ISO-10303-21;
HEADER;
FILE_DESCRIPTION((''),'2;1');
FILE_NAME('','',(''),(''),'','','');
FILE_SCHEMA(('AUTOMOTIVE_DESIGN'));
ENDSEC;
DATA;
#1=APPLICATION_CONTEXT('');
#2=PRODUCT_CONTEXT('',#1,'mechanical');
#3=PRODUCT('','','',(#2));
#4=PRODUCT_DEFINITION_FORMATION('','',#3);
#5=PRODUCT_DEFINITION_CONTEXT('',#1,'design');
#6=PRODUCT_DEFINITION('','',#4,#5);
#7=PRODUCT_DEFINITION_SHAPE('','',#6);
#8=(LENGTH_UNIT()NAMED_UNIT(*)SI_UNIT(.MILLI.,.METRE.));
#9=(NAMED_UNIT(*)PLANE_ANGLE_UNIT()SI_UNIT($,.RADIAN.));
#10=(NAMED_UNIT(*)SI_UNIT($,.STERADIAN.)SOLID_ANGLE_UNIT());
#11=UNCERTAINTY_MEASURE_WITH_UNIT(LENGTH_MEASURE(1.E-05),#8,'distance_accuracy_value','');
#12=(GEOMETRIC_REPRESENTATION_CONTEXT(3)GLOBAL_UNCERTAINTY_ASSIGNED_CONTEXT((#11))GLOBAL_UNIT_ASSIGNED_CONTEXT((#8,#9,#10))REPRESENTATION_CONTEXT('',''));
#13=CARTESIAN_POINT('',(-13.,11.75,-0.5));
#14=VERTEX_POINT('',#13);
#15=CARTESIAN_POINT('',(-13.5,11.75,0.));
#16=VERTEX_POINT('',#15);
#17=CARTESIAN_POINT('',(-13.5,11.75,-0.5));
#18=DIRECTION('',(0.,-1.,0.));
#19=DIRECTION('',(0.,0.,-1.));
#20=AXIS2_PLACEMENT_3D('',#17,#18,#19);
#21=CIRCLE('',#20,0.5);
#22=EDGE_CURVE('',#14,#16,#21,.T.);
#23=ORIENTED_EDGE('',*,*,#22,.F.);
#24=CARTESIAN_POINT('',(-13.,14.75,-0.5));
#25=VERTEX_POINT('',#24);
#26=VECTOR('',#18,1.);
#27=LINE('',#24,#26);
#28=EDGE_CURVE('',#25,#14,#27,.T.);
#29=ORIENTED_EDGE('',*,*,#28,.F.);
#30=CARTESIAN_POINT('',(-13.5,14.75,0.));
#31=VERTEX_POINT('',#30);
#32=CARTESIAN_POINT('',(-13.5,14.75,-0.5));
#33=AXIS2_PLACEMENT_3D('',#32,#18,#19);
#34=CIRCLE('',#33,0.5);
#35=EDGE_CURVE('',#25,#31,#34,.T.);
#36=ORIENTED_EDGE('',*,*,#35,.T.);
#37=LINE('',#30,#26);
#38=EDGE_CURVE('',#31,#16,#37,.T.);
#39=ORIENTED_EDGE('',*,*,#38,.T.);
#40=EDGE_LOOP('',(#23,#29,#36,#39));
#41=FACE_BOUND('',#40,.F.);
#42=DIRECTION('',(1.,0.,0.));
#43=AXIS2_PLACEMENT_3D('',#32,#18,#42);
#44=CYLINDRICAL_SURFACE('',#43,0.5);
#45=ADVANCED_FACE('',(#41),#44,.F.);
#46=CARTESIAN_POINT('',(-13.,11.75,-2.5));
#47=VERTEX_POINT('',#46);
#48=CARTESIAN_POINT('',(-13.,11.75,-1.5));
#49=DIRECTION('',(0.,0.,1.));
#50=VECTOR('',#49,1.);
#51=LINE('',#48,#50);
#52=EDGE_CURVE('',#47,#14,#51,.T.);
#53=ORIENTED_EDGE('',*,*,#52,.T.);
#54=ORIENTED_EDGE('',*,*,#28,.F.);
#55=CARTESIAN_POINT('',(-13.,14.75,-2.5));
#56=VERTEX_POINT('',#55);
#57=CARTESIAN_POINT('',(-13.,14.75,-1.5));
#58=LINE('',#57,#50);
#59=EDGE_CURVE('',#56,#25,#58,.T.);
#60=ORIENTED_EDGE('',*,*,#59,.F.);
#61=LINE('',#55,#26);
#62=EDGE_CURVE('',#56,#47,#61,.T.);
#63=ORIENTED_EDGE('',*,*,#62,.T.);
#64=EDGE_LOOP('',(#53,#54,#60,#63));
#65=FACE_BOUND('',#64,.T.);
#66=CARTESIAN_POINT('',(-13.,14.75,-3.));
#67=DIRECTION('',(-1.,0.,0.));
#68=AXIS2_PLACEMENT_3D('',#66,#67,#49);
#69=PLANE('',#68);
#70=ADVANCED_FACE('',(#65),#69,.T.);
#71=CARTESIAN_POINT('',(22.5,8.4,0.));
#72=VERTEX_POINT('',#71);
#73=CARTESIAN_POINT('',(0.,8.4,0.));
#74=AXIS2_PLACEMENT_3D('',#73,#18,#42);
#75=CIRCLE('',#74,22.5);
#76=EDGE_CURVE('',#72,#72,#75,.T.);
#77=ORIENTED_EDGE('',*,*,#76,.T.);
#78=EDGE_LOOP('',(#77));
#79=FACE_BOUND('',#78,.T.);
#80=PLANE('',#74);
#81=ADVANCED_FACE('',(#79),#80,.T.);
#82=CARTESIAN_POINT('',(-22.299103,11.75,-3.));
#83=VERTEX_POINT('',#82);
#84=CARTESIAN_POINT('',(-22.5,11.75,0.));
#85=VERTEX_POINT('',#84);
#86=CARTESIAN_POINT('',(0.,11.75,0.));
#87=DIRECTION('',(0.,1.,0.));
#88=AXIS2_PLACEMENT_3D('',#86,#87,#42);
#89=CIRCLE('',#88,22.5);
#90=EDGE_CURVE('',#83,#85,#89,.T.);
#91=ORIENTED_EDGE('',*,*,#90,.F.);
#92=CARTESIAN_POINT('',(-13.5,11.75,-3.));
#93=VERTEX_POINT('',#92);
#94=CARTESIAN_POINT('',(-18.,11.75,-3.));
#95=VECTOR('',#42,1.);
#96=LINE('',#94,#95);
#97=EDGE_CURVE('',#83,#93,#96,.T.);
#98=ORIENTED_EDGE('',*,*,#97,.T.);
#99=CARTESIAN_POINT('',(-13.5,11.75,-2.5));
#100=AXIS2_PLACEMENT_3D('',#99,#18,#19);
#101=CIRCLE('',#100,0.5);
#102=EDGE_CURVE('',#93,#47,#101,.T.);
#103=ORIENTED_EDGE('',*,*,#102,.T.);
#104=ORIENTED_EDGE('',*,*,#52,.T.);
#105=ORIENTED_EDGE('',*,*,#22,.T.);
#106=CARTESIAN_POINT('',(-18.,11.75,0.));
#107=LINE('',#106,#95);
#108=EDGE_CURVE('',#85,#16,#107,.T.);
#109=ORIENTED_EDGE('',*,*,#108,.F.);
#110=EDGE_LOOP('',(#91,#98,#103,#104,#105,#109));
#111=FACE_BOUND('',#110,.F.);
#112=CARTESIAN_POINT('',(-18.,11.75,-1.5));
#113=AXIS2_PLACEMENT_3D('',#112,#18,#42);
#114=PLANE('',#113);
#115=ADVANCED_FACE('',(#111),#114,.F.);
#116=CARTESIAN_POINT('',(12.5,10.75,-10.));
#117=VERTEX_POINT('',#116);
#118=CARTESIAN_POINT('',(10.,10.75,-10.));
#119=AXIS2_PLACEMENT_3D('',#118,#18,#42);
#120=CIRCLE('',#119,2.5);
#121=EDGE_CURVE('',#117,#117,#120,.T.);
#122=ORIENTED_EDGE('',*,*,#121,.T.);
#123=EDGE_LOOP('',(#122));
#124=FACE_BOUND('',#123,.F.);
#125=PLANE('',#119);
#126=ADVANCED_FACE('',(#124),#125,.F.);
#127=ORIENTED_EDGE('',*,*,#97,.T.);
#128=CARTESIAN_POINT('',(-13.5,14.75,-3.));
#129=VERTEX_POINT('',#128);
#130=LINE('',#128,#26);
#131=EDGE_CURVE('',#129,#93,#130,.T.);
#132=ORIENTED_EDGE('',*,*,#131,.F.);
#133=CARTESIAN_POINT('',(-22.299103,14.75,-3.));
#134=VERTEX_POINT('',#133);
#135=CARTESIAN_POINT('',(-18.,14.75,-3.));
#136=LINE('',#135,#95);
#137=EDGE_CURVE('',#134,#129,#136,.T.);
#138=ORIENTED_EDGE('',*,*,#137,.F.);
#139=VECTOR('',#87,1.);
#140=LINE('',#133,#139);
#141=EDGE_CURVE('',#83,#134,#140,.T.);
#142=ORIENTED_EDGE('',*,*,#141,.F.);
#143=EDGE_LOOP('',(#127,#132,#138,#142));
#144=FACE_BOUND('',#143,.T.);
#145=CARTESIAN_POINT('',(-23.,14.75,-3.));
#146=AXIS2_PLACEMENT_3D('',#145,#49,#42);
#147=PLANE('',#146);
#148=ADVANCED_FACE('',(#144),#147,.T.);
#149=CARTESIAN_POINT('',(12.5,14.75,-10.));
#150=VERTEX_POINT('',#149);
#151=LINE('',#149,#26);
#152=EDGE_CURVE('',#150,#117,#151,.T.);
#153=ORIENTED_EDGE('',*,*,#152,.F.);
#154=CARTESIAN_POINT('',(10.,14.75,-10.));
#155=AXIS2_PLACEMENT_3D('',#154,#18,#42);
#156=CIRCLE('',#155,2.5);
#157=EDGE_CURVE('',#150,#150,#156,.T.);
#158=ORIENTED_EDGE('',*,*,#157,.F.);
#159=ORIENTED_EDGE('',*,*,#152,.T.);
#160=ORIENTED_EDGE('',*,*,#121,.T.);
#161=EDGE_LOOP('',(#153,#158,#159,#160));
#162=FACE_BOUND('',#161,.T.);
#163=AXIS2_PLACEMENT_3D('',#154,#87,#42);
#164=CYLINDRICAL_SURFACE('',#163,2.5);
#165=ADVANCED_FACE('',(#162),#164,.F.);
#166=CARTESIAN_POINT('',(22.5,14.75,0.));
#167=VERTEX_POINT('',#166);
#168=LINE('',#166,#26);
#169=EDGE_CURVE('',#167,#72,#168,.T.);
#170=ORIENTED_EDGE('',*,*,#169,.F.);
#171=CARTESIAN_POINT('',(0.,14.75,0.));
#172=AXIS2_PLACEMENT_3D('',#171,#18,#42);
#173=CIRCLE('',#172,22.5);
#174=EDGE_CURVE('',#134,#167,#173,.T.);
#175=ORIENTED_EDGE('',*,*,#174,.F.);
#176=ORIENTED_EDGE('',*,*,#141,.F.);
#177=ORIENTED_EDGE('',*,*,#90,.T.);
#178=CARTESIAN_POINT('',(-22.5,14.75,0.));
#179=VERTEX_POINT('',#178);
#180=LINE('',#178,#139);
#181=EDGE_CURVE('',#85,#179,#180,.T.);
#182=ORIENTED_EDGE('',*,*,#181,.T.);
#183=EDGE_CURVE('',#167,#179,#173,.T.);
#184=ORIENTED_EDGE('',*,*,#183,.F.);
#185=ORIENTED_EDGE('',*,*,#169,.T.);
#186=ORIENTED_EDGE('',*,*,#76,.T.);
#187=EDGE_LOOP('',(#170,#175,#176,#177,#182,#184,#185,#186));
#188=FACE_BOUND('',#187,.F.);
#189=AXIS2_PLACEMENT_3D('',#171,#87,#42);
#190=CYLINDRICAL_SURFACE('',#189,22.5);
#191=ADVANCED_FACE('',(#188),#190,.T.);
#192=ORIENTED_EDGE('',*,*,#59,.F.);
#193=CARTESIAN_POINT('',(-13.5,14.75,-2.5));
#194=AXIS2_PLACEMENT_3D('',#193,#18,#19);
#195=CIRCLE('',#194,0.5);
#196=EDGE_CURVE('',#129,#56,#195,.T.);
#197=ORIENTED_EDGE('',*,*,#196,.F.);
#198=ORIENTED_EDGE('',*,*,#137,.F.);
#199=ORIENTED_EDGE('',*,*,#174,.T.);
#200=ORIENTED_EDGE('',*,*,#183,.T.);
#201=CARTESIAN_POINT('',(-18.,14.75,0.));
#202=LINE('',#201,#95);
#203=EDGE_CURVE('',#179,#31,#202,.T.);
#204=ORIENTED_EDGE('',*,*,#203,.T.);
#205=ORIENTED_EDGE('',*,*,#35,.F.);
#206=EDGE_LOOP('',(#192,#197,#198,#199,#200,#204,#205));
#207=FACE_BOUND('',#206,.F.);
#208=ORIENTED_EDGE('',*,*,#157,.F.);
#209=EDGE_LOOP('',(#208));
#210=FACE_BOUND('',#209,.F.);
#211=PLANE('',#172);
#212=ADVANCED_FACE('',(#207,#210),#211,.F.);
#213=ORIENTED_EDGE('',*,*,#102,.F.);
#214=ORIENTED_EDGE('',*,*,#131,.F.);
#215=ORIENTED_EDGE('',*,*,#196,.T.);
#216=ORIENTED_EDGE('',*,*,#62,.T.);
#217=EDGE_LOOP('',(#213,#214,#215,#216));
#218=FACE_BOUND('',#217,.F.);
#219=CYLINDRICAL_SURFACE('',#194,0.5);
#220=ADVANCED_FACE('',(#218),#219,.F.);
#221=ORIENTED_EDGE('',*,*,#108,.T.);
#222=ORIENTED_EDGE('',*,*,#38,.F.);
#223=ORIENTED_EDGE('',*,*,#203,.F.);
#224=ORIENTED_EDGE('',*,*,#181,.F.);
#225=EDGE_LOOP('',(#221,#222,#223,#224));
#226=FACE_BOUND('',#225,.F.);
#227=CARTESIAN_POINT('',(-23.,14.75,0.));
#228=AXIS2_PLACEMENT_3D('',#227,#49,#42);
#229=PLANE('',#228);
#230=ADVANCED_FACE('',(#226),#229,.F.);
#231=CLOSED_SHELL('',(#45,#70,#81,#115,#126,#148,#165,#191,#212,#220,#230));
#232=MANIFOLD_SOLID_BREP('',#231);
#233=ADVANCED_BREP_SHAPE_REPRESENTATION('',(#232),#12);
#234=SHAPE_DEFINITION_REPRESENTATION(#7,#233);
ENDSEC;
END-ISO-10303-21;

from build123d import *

# Parameters (mm, degrees)
SKETCH058_W  = 10
SKETCH058_H  = 3
PAD058_DEPTH = 3
FILLET_R     = 0.5
FILLET001_R  = 0.5
SKETCH057_R  = 2.5
PAD057_DEPTH = 4
SKETCH056_R  = 22.5
PAD056_DEPTH = 6.35


with BuildPart() as fillet001:
    # Sketch058 → Pad058 (new body)
    with BuildSketch(Plane.XZ):
        with Locations((5, -1.5)):
            Rectangle(SKETCH058_W, SKETCH058_H)
    extrude(amount=PAD058_DEPTH)

    # Fillet
    fillet_edges = [fillet001.edges().sort_by_distance(p)[0] for p in [
        (10, -1.5, -3),
    ]]
    fillet(fillet_edges, radius=FILLET_R)

    # Fillet001
    fillet001_edges = [fillet001.edges().sort_by_distance(p)[0] for p in [
        (10, -1.5, 0),
    ]]
    fillet(fillet001_edges, radius=FILLET001_R)


with BuildPart() as fillet001_1:
    # Fillet001 placement: moved
    add(fillet001.part.moved(Location((-23, 0, 0))))


with BuildPart() as body057:
    # Sketch057 → Pad057 (new body)
    with BuildSketch(Plane.XZ):
        Circle(SKETCH057_R)
    extrude(amount=PAD057_DEPTH)


with BuildPart() as body057_1:
    # Body057 placement: moved
    add(body057.part.moved(Location((10, 0, -10))))


with BuildPart() as ledplate:
    # Sketch056 → Pad056 (new body)
    with BuildSketch(Plane.XZ):
        Circle(SKETCH056_R)
    extrude(amount=PAD056_DEPTH)

    # Cut061: cut Body057
    add(body057_1.part, mode=Mode.SUBTRACT)

    # Cut062: cut Fillet001
    add(fillet001_1.part, mode=Mode.SUBTRACT)


with BuildPart() as ledplate_1:
    # Cut062 placement: moved
    add(ledplate.part.moved(Location((0, 14.75, 0))))


solid = ledplate_1.part
